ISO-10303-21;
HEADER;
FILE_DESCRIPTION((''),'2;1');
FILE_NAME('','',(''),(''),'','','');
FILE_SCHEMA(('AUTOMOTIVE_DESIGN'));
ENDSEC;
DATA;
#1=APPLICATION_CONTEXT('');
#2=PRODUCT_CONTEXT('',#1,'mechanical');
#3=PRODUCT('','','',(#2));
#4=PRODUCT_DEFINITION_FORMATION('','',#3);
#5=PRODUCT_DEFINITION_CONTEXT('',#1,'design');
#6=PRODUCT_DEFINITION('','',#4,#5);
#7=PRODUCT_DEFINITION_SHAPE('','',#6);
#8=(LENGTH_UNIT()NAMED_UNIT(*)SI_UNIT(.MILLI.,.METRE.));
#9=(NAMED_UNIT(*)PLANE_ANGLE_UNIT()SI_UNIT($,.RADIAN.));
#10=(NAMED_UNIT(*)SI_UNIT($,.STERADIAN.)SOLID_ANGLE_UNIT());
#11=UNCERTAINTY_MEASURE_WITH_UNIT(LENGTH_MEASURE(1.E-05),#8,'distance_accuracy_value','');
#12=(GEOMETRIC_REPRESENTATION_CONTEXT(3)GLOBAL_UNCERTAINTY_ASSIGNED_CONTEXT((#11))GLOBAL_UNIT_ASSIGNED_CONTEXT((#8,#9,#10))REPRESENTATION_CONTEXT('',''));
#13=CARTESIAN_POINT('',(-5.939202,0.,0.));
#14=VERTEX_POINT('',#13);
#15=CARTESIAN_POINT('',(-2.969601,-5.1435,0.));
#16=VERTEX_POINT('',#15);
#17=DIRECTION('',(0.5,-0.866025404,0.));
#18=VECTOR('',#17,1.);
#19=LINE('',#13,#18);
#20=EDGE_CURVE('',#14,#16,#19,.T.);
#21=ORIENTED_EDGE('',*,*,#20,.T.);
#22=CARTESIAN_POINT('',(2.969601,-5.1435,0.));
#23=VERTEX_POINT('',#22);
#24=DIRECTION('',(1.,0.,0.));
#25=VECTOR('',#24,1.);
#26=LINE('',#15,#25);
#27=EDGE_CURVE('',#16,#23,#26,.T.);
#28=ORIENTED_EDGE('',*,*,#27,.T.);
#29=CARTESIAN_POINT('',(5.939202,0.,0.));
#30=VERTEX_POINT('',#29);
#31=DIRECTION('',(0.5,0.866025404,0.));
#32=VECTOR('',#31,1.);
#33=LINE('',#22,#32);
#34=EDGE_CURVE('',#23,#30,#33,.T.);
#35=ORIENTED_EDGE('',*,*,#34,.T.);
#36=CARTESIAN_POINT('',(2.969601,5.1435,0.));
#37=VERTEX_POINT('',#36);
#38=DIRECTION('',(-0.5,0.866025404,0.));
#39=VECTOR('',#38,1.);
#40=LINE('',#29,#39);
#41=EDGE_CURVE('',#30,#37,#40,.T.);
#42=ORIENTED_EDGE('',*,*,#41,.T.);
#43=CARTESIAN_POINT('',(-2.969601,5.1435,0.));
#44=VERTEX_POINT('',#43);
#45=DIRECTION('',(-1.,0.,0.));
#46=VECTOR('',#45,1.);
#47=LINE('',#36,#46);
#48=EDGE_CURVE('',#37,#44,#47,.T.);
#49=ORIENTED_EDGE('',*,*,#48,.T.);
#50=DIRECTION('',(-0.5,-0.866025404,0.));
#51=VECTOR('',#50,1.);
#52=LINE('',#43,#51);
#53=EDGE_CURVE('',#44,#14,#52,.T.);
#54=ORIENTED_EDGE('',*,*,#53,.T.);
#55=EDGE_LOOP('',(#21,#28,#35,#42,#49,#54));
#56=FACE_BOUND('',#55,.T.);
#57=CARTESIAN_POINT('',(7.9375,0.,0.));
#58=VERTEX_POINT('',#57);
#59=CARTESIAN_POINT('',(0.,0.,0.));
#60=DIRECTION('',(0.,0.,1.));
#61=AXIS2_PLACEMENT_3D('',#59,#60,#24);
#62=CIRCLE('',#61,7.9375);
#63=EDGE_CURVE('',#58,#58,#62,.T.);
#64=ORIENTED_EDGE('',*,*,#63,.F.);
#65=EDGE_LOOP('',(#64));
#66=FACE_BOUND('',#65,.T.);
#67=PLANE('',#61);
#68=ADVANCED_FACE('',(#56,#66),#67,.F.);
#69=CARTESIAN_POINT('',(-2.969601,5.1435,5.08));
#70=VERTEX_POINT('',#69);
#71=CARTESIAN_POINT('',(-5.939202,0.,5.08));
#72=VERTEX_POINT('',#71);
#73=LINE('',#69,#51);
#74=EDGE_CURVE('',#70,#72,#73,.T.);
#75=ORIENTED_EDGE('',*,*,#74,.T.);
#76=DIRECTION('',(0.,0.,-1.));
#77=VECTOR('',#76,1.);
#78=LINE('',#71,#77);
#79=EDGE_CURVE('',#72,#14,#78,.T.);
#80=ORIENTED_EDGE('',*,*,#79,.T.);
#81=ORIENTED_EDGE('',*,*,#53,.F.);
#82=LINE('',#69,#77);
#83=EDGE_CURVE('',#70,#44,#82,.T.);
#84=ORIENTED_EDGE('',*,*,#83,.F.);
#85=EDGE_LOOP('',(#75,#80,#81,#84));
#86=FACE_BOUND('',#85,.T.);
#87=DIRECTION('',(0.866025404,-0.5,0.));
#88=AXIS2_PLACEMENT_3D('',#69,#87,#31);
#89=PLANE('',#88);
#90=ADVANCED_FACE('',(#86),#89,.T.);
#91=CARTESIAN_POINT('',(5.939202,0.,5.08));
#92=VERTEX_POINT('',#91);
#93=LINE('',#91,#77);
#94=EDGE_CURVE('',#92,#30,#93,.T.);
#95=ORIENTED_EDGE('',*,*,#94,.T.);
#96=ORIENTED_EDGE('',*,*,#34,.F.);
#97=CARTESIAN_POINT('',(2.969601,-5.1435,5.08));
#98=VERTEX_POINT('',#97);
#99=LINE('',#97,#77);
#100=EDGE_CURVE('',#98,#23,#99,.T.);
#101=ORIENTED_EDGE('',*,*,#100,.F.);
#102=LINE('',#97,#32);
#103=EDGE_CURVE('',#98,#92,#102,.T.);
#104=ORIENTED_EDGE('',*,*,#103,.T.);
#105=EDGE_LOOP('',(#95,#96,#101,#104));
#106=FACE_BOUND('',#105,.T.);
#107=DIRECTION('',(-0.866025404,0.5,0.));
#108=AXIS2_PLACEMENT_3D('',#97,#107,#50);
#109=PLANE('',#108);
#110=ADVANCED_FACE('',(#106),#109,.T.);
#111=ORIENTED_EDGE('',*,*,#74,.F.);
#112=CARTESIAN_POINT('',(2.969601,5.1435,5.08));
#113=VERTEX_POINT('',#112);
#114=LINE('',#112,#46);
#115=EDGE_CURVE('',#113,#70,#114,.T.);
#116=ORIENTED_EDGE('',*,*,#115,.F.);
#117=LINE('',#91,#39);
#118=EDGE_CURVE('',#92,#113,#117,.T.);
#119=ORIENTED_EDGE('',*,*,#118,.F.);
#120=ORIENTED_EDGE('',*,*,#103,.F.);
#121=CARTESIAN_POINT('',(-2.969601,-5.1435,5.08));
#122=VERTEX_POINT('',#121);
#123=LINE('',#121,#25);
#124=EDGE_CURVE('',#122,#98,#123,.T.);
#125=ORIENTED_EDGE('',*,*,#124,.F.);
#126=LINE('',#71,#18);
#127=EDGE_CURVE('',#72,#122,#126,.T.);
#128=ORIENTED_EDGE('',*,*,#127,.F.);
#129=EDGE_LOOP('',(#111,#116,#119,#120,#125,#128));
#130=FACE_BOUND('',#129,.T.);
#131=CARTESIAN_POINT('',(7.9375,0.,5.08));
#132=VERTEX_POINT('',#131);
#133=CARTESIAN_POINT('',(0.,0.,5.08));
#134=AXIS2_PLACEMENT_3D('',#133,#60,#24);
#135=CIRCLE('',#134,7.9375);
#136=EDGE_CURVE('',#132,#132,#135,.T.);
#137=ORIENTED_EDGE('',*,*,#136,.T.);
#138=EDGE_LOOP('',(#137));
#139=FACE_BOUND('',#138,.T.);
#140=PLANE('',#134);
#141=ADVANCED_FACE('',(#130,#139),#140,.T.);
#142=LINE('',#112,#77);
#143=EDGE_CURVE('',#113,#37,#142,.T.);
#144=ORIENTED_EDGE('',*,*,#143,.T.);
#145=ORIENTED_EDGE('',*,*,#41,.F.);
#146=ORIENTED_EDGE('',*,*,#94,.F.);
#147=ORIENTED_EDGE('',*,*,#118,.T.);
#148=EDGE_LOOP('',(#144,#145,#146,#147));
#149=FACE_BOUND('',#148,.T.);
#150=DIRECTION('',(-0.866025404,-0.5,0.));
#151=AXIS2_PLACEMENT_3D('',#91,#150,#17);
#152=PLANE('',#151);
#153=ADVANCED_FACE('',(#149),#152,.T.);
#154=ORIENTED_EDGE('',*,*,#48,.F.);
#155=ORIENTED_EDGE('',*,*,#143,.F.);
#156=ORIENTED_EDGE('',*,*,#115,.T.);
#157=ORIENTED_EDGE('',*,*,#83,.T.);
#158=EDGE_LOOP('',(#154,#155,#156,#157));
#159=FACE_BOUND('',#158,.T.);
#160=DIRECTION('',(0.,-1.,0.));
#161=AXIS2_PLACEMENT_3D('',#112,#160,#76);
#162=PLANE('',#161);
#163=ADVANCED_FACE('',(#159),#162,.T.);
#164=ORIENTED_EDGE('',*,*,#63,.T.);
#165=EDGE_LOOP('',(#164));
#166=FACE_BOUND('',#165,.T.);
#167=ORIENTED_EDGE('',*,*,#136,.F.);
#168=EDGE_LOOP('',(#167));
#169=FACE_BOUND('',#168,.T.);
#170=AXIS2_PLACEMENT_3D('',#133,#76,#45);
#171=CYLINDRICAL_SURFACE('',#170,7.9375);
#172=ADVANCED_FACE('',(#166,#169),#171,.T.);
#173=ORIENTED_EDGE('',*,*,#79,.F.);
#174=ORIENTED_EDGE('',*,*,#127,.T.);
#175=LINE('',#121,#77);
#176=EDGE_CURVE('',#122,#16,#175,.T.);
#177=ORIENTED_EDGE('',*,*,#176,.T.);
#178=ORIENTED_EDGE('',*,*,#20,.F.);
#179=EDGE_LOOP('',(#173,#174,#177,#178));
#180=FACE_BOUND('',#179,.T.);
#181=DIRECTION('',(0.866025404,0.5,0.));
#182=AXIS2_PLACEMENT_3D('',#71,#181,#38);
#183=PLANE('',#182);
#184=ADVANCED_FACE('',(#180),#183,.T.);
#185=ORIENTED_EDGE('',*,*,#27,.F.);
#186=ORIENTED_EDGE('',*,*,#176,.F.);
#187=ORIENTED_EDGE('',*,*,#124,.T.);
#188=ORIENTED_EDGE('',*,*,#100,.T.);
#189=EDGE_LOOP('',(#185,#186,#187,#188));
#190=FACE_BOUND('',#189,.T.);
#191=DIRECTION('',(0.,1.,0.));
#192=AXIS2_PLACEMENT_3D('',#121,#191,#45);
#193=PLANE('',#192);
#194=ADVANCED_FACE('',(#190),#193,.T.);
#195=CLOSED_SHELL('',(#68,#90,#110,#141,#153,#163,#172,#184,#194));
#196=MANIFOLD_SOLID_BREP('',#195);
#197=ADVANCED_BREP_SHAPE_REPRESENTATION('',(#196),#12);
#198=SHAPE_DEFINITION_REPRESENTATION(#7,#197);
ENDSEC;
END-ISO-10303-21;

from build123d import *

# Parameters (mm, degrees)
SKETCH1_R           = 7.9375
BOSS_EXTRUDE1_DEPTH = 5.08


with BuildPart() as part:
    # Sketch1 → Boss-Extrude1 (new body)
    with BuildSketch(Plane.XY):
        Circle(SKETCH1_R)
        Polygon((2.96960111, -5.1435), (5.939202219, 0), (2.96960111, 5.1435), (-2.96960111, 5.1435), (-5.939202219, 0), (-2.96960111, -5.1435), align=None, mode=Mode.SUBTRACT)
    extrude(amount=BOSS_EXTRUDE1_DEPTH)


solid = part.part
